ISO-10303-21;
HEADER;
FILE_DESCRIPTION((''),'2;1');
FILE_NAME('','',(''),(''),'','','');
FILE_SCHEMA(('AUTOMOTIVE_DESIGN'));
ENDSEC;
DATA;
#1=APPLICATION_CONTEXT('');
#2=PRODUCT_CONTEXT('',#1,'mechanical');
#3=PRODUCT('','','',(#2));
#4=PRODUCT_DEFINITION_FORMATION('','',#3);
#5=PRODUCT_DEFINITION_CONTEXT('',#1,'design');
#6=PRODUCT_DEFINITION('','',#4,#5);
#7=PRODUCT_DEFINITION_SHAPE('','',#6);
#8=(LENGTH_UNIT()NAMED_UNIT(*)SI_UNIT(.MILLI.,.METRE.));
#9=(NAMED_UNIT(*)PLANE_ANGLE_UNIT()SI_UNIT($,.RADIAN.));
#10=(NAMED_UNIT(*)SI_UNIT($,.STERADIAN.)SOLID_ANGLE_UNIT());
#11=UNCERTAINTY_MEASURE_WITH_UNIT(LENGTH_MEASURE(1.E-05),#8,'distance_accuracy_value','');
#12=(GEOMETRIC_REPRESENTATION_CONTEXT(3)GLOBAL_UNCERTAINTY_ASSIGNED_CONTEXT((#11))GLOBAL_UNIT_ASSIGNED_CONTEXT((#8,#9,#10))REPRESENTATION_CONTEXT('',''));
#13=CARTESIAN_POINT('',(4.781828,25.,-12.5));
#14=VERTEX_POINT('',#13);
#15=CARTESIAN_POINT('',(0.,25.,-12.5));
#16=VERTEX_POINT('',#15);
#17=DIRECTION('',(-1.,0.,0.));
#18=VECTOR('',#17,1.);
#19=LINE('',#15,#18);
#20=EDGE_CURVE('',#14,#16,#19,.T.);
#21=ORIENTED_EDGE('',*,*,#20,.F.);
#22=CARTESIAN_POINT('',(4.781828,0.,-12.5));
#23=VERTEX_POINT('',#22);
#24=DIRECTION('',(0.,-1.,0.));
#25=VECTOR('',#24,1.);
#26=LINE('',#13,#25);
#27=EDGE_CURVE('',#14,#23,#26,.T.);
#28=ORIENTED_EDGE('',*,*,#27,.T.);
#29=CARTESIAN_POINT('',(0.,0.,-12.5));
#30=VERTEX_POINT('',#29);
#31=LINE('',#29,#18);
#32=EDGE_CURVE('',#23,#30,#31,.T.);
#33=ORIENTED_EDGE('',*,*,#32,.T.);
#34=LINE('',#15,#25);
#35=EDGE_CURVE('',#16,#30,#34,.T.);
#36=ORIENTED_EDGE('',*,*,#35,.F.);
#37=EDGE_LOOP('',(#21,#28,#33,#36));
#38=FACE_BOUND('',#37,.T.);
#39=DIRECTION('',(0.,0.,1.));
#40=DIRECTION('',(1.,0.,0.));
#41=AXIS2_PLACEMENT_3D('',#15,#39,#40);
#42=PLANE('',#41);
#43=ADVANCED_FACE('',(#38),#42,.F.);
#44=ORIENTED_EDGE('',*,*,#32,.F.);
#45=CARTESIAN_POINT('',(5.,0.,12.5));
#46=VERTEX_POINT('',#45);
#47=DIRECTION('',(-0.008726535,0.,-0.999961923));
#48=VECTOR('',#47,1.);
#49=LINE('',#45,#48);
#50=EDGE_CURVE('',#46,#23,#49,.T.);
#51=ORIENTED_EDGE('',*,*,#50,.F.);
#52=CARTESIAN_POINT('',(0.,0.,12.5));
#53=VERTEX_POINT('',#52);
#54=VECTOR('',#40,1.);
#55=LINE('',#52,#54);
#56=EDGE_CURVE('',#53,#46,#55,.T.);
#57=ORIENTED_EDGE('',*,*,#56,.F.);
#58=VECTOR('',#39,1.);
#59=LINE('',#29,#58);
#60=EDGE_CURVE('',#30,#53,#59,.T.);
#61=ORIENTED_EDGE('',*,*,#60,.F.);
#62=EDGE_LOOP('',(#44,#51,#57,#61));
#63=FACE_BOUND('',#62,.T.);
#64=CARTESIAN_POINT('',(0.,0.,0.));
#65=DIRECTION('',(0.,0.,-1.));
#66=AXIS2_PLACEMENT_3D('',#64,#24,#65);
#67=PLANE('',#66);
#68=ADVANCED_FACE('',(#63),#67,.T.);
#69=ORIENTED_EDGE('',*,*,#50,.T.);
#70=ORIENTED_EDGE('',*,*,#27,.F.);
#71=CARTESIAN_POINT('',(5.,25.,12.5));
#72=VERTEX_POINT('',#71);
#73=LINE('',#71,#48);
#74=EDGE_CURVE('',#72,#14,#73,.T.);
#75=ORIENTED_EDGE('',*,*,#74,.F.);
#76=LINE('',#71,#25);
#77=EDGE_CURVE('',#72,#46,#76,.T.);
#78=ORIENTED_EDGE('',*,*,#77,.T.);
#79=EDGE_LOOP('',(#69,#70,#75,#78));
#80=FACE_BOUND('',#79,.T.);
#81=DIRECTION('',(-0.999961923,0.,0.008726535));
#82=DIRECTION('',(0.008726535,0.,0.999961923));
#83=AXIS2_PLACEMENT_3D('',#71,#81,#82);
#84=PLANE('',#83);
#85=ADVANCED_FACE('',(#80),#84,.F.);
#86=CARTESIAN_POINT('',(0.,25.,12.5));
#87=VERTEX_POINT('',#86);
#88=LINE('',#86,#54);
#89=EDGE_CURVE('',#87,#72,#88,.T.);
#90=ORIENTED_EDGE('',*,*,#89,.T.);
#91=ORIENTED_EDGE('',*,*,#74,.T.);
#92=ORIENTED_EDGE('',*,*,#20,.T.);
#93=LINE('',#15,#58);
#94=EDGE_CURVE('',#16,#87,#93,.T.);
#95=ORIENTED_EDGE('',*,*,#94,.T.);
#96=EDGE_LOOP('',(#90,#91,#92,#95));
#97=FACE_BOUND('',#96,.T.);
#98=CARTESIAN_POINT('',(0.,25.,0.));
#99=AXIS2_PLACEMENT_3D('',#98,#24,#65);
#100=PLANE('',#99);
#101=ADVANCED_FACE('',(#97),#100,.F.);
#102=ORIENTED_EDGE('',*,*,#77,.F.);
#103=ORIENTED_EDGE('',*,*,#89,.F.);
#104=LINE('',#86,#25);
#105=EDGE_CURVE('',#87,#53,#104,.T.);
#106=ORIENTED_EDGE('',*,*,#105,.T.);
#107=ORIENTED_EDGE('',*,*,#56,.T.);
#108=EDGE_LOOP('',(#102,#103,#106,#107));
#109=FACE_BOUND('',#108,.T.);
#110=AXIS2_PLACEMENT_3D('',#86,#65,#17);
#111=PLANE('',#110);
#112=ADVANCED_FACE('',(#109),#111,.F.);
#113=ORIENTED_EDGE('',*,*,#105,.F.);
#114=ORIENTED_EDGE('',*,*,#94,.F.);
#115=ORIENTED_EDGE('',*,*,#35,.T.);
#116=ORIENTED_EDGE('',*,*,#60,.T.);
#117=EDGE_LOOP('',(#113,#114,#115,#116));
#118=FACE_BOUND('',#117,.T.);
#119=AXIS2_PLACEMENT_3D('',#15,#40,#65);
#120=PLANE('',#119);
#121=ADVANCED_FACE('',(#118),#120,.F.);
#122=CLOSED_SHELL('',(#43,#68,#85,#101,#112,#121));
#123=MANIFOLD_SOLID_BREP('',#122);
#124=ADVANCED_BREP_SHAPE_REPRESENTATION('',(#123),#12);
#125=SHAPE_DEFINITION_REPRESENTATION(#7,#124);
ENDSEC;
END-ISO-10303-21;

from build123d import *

# Parameters (mm, degrees)
EXTRUDE_1_DEPTH = 25


with BuildPart() as part:
    # 草图1 → 凸台-拉伸1 (new body)
    with BuildSketch(Plane(origin=(0, 0, 0), x_dir=(1, 0, 0), z_dir=(0, 1, 0))):
        Polygon((0, 12.5), (0, -12.5), (5, -12.5), (4.781828305, 12.5), align=None)
    extrude(amount=EXTRUDE_1_DEPTH)


solid = part.part
